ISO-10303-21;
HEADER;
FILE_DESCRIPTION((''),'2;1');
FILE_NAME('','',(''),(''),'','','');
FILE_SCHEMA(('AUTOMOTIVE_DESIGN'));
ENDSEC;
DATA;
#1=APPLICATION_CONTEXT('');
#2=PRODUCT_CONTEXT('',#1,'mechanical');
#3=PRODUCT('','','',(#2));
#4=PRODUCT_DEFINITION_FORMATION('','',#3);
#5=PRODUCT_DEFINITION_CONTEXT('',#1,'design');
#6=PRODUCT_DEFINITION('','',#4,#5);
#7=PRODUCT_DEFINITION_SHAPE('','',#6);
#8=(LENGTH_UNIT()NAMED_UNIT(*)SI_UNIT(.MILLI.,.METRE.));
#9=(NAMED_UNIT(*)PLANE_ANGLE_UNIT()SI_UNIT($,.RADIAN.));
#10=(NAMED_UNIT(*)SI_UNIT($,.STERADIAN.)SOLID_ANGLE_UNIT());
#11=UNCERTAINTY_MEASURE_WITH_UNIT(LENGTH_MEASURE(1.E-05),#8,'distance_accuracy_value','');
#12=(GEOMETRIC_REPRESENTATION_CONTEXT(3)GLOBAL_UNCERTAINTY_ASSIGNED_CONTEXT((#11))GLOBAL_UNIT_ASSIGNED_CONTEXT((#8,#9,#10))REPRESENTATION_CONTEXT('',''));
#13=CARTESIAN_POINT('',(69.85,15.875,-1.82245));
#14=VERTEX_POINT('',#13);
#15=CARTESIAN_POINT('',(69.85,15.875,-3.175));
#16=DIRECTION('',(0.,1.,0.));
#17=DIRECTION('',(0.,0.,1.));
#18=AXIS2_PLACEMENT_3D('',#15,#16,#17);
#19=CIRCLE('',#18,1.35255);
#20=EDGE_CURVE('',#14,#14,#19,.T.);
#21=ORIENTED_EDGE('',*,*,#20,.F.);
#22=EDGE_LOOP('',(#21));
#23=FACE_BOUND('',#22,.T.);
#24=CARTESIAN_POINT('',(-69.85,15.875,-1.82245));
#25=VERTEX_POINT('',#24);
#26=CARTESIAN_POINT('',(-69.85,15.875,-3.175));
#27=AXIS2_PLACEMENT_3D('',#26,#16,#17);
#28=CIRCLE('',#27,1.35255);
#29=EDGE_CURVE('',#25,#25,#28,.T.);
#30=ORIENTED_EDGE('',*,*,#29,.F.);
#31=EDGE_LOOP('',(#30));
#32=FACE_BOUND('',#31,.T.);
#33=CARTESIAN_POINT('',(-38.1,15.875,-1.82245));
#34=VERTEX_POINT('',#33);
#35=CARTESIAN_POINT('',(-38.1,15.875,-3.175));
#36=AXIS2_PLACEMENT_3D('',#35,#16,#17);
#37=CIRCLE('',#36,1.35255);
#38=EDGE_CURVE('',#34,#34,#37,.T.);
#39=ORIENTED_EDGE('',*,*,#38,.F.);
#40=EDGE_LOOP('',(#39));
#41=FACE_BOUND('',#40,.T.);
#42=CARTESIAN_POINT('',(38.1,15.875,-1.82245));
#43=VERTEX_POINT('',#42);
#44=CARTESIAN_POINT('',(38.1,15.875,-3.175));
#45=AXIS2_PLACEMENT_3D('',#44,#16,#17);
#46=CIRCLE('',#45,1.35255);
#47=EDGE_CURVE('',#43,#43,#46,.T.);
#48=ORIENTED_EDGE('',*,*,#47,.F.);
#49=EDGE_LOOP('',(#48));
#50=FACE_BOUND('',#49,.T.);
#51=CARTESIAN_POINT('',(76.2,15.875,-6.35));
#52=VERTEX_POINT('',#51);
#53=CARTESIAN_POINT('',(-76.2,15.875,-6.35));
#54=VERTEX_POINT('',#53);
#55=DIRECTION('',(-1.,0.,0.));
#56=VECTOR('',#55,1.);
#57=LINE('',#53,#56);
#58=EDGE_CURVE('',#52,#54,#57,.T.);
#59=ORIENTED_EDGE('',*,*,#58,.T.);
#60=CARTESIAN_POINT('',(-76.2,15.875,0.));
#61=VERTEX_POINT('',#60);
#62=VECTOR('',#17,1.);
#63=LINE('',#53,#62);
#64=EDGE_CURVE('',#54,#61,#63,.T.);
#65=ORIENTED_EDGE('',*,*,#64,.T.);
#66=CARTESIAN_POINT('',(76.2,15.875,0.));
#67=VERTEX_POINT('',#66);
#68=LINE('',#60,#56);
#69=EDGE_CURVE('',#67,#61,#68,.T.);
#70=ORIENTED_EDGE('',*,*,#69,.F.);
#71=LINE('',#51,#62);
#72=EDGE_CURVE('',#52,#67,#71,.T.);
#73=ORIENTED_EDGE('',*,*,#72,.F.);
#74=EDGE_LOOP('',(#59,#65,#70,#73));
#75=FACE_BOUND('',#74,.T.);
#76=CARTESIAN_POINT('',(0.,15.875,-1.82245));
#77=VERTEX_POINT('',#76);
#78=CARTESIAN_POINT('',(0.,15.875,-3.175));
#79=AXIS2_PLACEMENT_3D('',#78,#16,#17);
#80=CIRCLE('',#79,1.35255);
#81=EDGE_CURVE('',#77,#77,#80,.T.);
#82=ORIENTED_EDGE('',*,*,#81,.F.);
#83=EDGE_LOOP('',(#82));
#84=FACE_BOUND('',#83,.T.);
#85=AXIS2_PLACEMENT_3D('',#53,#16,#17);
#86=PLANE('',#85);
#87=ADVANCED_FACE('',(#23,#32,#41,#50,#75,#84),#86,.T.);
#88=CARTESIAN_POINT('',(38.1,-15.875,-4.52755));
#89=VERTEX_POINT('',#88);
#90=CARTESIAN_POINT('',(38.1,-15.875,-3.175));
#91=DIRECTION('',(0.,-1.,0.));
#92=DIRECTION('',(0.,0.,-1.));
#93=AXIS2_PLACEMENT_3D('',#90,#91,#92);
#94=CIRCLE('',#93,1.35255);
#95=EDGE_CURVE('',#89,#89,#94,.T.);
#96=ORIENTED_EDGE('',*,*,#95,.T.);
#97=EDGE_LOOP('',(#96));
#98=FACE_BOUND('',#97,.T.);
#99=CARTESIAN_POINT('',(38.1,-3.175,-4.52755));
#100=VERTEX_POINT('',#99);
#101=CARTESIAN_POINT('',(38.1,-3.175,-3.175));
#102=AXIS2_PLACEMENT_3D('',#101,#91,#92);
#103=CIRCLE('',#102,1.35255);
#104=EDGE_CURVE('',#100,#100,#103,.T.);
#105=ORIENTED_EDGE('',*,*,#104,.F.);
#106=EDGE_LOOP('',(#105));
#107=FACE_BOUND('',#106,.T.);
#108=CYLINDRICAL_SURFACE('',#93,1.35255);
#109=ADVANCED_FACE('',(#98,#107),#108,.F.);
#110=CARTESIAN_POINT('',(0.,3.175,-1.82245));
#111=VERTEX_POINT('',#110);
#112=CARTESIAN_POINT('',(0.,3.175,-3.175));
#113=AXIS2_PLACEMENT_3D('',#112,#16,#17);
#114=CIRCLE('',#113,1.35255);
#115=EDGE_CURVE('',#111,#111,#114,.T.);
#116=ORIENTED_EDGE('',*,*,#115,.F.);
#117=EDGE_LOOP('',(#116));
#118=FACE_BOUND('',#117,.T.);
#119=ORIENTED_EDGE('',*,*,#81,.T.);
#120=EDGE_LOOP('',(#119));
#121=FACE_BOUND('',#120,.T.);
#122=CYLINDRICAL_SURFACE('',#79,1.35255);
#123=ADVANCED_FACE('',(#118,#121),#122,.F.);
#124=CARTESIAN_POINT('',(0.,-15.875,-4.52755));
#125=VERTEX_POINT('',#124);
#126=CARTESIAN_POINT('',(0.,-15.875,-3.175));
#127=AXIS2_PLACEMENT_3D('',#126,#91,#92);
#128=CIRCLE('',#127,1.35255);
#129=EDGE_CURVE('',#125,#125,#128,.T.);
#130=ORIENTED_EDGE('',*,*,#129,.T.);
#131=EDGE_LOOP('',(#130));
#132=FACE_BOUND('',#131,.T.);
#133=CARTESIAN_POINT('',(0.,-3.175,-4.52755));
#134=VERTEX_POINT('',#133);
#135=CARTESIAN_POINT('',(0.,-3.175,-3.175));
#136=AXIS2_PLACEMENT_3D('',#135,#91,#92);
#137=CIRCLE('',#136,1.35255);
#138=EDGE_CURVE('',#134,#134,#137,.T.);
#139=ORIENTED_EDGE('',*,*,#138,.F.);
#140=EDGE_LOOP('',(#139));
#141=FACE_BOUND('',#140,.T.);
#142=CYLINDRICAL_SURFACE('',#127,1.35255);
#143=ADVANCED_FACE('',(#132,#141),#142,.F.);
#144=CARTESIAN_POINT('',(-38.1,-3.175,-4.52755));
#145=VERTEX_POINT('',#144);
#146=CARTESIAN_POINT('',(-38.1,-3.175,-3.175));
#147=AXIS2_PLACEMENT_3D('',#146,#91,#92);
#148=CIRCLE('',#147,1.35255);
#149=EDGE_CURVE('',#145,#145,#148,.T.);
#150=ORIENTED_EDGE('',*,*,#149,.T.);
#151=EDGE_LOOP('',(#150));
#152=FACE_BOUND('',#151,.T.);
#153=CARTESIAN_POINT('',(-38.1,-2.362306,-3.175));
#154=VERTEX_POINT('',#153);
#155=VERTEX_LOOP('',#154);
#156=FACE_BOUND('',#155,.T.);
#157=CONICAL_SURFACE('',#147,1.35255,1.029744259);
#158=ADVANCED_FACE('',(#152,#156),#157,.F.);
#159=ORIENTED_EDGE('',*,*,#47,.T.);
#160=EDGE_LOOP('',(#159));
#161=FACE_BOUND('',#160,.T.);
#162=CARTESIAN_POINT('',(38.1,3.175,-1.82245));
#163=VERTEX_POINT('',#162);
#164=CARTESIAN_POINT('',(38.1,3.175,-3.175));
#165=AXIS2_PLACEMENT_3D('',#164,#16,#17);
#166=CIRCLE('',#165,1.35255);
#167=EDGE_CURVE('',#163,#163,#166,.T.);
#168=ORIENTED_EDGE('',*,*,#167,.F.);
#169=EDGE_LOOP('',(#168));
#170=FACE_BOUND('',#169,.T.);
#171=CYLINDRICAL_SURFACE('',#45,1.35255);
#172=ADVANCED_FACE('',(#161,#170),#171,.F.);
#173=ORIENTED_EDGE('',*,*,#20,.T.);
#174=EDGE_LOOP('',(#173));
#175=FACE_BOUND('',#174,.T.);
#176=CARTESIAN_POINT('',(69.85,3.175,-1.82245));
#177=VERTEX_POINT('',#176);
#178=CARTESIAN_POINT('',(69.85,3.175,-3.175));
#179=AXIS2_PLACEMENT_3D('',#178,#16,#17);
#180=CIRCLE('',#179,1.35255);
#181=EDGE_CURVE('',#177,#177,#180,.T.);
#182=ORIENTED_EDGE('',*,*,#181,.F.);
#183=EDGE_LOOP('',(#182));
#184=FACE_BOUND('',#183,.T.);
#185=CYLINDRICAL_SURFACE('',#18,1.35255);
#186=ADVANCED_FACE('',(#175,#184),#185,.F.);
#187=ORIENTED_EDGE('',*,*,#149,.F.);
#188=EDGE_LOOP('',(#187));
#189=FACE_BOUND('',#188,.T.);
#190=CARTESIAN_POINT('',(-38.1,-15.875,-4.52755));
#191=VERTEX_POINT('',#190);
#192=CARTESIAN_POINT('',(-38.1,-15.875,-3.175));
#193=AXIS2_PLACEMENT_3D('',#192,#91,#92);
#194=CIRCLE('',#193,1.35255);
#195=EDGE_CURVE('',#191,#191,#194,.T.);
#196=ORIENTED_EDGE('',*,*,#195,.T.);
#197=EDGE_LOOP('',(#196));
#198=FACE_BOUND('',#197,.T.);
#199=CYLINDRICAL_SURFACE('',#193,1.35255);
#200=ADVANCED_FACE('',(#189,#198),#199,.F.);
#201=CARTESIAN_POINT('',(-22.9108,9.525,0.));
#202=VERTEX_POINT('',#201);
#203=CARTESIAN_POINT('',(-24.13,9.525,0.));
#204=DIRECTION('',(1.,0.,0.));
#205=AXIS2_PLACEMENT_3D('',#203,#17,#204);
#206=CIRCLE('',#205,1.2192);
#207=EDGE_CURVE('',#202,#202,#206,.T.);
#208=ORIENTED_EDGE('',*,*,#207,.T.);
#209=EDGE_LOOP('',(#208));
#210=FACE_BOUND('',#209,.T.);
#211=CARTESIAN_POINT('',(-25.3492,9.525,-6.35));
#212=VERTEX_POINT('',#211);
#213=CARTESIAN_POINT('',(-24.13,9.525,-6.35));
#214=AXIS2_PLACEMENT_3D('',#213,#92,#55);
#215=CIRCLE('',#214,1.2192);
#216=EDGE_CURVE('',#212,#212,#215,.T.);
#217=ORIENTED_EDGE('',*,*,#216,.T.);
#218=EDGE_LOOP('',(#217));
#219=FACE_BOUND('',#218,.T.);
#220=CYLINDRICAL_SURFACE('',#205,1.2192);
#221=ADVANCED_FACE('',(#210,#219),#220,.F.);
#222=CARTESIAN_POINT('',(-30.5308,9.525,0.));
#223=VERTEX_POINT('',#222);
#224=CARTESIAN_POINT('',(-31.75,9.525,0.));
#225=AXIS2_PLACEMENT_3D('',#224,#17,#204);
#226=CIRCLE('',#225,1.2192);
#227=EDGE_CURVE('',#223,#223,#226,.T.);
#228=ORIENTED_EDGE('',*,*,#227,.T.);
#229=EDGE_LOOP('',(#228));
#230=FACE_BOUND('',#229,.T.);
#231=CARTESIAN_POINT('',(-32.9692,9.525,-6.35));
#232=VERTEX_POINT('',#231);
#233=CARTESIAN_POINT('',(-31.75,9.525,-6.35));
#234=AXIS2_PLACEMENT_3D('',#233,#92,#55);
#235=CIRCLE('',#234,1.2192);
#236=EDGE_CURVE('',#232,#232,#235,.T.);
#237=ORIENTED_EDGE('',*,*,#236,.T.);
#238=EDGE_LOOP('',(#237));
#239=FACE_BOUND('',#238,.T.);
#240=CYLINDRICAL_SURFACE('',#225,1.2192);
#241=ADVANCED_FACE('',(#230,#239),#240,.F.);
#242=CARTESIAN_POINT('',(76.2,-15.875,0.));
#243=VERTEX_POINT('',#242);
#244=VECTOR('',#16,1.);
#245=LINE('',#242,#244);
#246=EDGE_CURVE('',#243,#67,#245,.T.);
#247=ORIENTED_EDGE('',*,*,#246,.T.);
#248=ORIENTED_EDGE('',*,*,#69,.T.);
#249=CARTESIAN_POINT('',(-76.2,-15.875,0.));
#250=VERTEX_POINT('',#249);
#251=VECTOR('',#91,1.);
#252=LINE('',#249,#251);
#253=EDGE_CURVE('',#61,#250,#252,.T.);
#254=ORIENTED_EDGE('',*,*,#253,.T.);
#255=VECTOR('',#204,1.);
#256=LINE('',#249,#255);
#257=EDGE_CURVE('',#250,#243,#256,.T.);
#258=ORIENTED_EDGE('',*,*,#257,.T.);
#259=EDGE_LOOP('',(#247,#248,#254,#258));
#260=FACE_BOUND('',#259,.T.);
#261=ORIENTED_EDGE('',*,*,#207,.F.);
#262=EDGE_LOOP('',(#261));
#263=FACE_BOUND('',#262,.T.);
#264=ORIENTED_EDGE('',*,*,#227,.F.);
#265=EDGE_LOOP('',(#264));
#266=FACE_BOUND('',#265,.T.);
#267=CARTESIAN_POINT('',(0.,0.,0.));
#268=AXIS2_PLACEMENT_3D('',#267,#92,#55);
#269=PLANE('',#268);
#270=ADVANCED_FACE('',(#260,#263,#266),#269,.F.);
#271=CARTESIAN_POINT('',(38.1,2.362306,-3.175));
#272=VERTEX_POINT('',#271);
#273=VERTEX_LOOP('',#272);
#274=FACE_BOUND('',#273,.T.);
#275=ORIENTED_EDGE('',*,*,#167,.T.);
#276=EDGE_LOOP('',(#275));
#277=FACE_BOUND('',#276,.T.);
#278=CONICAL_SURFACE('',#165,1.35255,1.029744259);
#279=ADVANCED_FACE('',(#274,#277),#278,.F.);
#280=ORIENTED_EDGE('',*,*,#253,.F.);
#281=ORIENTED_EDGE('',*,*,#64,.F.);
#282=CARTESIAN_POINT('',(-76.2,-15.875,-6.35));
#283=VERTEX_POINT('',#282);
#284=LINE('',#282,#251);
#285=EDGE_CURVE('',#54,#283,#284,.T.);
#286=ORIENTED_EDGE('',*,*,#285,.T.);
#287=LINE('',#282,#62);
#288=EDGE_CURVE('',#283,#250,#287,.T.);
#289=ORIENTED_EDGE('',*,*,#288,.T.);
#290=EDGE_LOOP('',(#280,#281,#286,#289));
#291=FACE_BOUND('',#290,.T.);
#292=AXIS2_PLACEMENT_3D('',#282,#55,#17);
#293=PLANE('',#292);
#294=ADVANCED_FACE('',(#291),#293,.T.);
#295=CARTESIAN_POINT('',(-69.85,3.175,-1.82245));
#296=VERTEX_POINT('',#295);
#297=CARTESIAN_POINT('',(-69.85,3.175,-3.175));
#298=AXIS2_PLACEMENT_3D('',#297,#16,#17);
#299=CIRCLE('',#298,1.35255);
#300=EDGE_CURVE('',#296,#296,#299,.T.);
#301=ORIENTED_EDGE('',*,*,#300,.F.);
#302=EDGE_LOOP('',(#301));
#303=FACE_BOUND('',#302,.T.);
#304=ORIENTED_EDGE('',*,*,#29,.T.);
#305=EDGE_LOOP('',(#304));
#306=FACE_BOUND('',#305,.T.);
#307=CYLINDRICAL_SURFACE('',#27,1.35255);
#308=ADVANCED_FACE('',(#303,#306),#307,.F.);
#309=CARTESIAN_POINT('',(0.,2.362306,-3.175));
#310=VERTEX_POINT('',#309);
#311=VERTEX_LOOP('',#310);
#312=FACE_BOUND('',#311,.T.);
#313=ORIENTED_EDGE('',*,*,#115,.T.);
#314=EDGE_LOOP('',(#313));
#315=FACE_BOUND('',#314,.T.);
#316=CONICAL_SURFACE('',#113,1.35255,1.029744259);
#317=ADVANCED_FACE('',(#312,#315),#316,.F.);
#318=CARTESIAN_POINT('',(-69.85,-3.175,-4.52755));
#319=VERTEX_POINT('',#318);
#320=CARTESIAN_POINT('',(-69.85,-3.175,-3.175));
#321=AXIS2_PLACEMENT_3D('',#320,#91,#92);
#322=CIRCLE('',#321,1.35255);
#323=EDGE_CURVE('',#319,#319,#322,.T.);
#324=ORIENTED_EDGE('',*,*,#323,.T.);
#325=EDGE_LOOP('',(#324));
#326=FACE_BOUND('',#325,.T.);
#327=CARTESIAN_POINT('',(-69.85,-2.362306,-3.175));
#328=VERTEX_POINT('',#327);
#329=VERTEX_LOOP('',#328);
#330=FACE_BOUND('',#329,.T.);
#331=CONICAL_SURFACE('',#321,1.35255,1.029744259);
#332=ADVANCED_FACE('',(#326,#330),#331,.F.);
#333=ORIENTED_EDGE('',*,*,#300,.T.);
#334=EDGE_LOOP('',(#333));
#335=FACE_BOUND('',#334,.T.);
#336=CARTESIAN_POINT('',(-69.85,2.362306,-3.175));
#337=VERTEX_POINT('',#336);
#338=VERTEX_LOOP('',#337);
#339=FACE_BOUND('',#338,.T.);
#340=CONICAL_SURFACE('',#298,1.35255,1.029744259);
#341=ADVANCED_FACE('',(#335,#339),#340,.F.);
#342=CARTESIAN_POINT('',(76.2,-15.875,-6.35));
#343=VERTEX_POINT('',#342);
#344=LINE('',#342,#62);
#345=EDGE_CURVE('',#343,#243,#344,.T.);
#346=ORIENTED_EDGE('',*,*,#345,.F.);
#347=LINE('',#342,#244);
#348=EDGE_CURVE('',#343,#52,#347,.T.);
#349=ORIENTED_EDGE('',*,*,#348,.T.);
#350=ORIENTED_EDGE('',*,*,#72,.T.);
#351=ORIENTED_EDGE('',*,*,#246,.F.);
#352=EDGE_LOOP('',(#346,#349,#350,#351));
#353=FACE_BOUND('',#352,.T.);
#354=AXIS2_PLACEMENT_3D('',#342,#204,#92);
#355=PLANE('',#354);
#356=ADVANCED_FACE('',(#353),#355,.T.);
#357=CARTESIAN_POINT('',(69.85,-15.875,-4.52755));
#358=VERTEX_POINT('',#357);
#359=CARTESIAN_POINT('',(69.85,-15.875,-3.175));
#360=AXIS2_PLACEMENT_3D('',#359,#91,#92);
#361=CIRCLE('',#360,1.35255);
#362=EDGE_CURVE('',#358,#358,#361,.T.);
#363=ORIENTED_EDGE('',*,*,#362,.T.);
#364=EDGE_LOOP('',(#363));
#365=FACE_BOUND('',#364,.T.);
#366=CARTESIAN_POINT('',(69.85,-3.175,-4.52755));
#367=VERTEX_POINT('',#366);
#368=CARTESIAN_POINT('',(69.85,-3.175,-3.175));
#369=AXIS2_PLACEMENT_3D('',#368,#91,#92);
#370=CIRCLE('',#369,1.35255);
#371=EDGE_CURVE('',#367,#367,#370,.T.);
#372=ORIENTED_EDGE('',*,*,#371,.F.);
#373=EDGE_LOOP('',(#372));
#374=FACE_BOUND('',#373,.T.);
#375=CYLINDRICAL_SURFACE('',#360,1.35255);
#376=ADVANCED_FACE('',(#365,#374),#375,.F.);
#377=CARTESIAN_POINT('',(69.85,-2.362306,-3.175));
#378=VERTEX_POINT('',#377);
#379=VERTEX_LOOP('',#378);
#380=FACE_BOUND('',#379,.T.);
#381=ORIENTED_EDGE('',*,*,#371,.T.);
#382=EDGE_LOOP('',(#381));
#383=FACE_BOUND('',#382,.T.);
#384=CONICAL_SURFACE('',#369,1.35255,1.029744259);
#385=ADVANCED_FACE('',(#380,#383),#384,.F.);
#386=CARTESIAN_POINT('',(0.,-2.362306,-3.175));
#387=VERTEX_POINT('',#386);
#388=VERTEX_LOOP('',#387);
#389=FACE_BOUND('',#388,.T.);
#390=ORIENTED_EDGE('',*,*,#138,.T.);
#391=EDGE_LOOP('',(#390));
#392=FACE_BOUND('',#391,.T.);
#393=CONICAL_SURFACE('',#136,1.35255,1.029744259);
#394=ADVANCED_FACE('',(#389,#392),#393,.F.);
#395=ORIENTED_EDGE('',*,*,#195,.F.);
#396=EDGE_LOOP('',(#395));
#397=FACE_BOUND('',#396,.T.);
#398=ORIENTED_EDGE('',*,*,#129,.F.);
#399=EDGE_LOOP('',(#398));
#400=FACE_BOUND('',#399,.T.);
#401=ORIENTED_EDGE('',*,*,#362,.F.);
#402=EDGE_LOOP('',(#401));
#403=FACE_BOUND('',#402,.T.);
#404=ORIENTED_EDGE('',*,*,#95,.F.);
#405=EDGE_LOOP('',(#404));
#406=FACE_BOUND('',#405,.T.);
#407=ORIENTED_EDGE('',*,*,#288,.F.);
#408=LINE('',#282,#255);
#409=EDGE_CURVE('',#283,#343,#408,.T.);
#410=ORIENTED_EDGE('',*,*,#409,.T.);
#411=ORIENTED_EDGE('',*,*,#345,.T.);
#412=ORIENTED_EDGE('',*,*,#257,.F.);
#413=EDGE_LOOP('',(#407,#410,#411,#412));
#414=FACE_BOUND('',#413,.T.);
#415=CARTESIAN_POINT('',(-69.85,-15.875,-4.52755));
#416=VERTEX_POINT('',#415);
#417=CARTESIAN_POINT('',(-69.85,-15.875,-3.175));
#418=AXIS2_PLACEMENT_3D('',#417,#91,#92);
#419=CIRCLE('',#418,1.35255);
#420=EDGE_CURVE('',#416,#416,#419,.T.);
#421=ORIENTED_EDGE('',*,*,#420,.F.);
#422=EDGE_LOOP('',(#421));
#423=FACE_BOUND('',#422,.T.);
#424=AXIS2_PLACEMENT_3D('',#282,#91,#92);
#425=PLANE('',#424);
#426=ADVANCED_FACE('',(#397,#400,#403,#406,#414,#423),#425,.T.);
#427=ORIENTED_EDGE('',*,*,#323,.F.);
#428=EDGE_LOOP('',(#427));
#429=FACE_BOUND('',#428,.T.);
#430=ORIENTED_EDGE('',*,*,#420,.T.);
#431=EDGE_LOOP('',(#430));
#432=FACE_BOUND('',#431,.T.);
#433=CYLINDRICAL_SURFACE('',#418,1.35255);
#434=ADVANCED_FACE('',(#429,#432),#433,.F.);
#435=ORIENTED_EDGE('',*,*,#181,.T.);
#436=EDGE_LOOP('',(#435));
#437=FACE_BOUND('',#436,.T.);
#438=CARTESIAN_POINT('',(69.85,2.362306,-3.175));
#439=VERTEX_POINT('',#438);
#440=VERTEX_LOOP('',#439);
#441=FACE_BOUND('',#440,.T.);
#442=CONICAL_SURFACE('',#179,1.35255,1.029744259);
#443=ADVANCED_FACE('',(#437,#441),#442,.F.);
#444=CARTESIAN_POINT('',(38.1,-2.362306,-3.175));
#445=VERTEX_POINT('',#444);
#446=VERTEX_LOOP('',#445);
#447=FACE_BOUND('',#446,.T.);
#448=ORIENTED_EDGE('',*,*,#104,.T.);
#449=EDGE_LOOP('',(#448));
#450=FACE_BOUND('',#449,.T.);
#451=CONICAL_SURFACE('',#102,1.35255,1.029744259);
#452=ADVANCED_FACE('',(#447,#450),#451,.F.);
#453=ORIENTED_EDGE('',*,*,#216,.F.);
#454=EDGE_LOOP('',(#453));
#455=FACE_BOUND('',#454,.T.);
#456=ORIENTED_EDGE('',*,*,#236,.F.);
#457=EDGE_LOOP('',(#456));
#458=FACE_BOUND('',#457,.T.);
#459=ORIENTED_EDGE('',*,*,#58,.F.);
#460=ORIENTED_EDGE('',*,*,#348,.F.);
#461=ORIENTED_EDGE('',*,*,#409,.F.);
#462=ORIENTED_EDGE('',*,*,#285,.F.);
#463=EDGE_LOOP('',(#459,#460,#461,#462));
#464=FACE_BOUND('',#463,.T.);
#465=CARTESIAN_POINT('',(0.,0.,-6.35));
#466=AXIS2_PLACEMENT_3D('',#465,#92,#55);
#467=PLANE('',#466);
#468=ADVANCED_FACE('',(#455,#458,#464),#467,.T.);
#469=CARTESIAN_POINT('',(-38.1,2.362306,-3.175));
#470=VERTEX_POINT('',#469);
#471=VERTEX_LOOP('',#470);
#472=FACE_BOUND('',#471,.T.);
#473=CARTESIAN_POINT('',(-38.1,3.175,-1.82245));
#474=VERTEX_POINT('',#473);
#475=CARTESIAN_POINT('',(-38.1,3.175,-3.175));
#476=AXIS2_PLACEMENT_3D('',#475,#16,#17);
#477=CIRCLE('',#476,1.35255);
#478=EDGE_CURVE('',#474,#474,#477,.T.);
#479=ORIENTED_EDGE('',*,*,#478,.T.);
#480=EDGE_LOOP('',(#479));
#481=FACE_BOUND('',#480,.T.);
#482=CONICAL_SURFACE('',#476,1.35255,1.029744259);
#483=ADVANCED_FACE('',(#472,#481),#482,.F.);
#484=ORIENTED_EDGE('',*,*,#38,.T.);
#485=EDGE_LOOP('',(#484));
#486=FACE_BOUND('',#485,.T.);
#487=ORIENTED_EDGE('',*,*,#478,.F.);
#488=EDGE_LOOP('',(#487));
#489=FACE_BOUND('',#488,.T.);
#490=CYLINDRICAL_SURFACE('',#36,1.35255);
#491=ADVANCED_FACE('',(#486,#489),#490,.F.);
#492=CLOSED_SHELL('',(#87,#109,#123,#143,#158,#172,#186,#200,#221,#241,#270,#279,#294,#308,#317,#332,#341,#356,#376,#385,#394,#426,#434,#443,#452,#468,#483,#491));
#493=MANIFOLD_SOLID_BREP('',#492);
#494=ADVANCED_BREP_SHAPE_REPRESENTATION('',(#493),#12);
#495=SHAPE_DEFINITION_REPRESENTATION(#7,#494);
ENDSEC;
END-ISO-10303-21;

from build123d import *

# Parameters (mm, degrees)
SKETCH1_W                          = 152.4
SKETCH1_H                          = 31.75
BOSS_EXTRUDE1_DEPTH                = 6.35
F_2_CLEARANCE_HOLE1_D              = 2.4384
TAP_DRILL_FOR_6_32_TAP1_AT_2_COUNT = 2
TAP_DRILL_FOR_6_32_TAP1_AT_2_PITCH = 31.75
TAP_DRILL_FOR_6_32_TAP1_AT_3_COUNT = 2
TAP_DRILL_FOR_6_32_TAP1_AT_3_PITCH = 69.85
TAP_DRILL_FOR_6_32_TAP1_AT_4_COUNT = 2
TAP_DRILL_FOR_6_32_TAP1_AT_4_PITCH = 107.95
TAP_DRILL_FOR_6_32_TAP1_AT_5_COUNT = 2
TAP_DRILL_FOR_6_32_TAP1_AT_5_PITCH = 139.7


with BuildPart() as part:
    # Sketch1 → Boss-Extrude1 (new body)
    with BuildSketch(Plane.XY):
        Rectangle(SKETCH1_W, SKETCH1_H)
    extrude(amount=-BOSS_EXTRUDE1_DEPTH)

    # #2 Clearance Hole1 (through all)
    with Locations(Plane.XY):
        with Locations((-31.75, 9.525), (-24.13, 9.525)):
            Hole(F_2_CLEARANCE_HOLE1_D / 2)

    # Sketch7 → Tap Drill for #6-32 Tap1 (revolve, cut)
    with BuildSketch(Plane(origin=(-69.85, 15.875, -3.175), x_dir=(0, 0, 1), z_dir=(1, 0, 0))):
        Polygon((0, 0), (0, 13.51269403), (1.35255, 12.7), (1.35255, 0), align=None)
    tap_drill_for_6_32_tap1 = revolve(axis=Axis((-69.85, 22.225, -3.175), (0, -1, 0)), mode=Mode.SUBTRACT)

    # Tap Drill for #6-32 Tap1 at 2: Tap Drill for #6-32 Tap1 ×2
    with Locations(*[(i * TAP_DRILL_FOR_6_32_TAP1_AT_2_PITCH, 0, 0) for i in range(1, TAP_DRILL_FOR_6_32_TAP1_AT_2_COUNT)]):
        add(tap_drill_for_6_32_tap1, mode=Mode.SUBTRACT)

    # Tap Drill for #6-32 Tap1 at 3: Tap Drill for #6-32 Tap1 ×2
    with Locations(*[(i * TAP_DRILL_FOR_6_32_TAP1_AT_3_PITCH, 0, 0) for i in range(1, TAP_DRILL_FOR_6_32_TAP1_AT_3_COUNT)]):
        add(tap_drill_for_6_32_tap1, mode=Mode.SUBTRACT)

    # Tap Drill for #6-32 Tap1 at 4: Tap Drill for #6-32 Tap1 ×2
    with Locations(*[(i * TAP_DRILL_FOR_6_32_TAP1_AT_4_PITCH, 0, 0) for i in range(1, TAP_DRILL_FOR_6_32_TAP1_AT_4_COUNT)]):
        add(tap_drill_for_6_32_tap1, mode=Mode.SUBTRACT)

    # Tap Drill for #6-32 Tap1 at 5: Tap Drill for #6-32 Tap1 ×2
    with Locations(*[(i * TAP_DRILL_FOR_6_32_TAP1_AT_5_PITCH, 0, 0) for i in range(1, TAP_DRILL_FOR_6_32_TAP1_AT_5_COUNT)]):
        add(tap_drill_for_6_32_tap1, mode=Mode.SUBTRACT)

    # Mirror1: Tap Drill for #6-32 Tap1 across plane
    add(tap_drill_for_6_32_tap1.mirror(Plane.ZX), mode=Mode.SUBTRACT)

    # Mirror1 copy 1 sketch → Mirror1 copy 1 (revolve, cut)
    with BuildSketch(Plane(origin=(-38.1, -15.875, -3.175), x_dir=(0, 0, 1), z_dir=(1, 0, 0))):
        Polygon((0, 0), (0, -13.51269403), (1.35255, -12.7), (1.35255, 0), align=None)
    revolve(axis=Axis((-38.1, -22.225, -3.175), (0, -1, 0)), mode=Mode.SUBTRACT)

    # Mirror1 copy 2 sketch → Mirror1 copy 2 (revolve, cut)
    with BuildSketch(Plane(origin=(0, -15.875, -3.175), x_dir=(0, 0, 1), z_dir=(1, 0, 0))):
        Polygon((0, 0), (0, -13.51269403), (1.35255, -12.7), (1.35255, 0), align=None)
    revolve(axis=Axis((0, -22.225, -3.175), (0, -1, 0)), mode=Mode.SUBTRACT)

    # Mirror1 copy 3 sketch → Mirror1 copy 3 (revolve, cut)
    with BuildSketch(Plane(origin=(38.1, -15.875, -3.175), x_dir=(0, 0, 1), z_dir=(1, 0, 0))):
        Polygon((0, 0), (0, -13.51269403), (1.35255, -12.7), (1.35255, 0), align=None)
    revolve(axis=Axis((38.1, -22.225, -3.175), (0, -1, 0)), mode=Mode.SUBTRACT)

    # Mirror1 copy 4 sketch → Mirror1 copy 4 (revolve, cut)
    with BuildSketch(Plane(origin=(69.85, -15.875, -3.175), x_dir=(0, 0, 1), z_dir=(1, 0, 0))):
        Polygon((0, 0), (0, -13.51269403), (1.35255, -12.7), (1.35255, 0), align=None)
    revolve(axis=Axis((69.85, -22.225, -3.175), (0, -1, 0)), mode=Mode.SUBTRACT)


solid = part.part
